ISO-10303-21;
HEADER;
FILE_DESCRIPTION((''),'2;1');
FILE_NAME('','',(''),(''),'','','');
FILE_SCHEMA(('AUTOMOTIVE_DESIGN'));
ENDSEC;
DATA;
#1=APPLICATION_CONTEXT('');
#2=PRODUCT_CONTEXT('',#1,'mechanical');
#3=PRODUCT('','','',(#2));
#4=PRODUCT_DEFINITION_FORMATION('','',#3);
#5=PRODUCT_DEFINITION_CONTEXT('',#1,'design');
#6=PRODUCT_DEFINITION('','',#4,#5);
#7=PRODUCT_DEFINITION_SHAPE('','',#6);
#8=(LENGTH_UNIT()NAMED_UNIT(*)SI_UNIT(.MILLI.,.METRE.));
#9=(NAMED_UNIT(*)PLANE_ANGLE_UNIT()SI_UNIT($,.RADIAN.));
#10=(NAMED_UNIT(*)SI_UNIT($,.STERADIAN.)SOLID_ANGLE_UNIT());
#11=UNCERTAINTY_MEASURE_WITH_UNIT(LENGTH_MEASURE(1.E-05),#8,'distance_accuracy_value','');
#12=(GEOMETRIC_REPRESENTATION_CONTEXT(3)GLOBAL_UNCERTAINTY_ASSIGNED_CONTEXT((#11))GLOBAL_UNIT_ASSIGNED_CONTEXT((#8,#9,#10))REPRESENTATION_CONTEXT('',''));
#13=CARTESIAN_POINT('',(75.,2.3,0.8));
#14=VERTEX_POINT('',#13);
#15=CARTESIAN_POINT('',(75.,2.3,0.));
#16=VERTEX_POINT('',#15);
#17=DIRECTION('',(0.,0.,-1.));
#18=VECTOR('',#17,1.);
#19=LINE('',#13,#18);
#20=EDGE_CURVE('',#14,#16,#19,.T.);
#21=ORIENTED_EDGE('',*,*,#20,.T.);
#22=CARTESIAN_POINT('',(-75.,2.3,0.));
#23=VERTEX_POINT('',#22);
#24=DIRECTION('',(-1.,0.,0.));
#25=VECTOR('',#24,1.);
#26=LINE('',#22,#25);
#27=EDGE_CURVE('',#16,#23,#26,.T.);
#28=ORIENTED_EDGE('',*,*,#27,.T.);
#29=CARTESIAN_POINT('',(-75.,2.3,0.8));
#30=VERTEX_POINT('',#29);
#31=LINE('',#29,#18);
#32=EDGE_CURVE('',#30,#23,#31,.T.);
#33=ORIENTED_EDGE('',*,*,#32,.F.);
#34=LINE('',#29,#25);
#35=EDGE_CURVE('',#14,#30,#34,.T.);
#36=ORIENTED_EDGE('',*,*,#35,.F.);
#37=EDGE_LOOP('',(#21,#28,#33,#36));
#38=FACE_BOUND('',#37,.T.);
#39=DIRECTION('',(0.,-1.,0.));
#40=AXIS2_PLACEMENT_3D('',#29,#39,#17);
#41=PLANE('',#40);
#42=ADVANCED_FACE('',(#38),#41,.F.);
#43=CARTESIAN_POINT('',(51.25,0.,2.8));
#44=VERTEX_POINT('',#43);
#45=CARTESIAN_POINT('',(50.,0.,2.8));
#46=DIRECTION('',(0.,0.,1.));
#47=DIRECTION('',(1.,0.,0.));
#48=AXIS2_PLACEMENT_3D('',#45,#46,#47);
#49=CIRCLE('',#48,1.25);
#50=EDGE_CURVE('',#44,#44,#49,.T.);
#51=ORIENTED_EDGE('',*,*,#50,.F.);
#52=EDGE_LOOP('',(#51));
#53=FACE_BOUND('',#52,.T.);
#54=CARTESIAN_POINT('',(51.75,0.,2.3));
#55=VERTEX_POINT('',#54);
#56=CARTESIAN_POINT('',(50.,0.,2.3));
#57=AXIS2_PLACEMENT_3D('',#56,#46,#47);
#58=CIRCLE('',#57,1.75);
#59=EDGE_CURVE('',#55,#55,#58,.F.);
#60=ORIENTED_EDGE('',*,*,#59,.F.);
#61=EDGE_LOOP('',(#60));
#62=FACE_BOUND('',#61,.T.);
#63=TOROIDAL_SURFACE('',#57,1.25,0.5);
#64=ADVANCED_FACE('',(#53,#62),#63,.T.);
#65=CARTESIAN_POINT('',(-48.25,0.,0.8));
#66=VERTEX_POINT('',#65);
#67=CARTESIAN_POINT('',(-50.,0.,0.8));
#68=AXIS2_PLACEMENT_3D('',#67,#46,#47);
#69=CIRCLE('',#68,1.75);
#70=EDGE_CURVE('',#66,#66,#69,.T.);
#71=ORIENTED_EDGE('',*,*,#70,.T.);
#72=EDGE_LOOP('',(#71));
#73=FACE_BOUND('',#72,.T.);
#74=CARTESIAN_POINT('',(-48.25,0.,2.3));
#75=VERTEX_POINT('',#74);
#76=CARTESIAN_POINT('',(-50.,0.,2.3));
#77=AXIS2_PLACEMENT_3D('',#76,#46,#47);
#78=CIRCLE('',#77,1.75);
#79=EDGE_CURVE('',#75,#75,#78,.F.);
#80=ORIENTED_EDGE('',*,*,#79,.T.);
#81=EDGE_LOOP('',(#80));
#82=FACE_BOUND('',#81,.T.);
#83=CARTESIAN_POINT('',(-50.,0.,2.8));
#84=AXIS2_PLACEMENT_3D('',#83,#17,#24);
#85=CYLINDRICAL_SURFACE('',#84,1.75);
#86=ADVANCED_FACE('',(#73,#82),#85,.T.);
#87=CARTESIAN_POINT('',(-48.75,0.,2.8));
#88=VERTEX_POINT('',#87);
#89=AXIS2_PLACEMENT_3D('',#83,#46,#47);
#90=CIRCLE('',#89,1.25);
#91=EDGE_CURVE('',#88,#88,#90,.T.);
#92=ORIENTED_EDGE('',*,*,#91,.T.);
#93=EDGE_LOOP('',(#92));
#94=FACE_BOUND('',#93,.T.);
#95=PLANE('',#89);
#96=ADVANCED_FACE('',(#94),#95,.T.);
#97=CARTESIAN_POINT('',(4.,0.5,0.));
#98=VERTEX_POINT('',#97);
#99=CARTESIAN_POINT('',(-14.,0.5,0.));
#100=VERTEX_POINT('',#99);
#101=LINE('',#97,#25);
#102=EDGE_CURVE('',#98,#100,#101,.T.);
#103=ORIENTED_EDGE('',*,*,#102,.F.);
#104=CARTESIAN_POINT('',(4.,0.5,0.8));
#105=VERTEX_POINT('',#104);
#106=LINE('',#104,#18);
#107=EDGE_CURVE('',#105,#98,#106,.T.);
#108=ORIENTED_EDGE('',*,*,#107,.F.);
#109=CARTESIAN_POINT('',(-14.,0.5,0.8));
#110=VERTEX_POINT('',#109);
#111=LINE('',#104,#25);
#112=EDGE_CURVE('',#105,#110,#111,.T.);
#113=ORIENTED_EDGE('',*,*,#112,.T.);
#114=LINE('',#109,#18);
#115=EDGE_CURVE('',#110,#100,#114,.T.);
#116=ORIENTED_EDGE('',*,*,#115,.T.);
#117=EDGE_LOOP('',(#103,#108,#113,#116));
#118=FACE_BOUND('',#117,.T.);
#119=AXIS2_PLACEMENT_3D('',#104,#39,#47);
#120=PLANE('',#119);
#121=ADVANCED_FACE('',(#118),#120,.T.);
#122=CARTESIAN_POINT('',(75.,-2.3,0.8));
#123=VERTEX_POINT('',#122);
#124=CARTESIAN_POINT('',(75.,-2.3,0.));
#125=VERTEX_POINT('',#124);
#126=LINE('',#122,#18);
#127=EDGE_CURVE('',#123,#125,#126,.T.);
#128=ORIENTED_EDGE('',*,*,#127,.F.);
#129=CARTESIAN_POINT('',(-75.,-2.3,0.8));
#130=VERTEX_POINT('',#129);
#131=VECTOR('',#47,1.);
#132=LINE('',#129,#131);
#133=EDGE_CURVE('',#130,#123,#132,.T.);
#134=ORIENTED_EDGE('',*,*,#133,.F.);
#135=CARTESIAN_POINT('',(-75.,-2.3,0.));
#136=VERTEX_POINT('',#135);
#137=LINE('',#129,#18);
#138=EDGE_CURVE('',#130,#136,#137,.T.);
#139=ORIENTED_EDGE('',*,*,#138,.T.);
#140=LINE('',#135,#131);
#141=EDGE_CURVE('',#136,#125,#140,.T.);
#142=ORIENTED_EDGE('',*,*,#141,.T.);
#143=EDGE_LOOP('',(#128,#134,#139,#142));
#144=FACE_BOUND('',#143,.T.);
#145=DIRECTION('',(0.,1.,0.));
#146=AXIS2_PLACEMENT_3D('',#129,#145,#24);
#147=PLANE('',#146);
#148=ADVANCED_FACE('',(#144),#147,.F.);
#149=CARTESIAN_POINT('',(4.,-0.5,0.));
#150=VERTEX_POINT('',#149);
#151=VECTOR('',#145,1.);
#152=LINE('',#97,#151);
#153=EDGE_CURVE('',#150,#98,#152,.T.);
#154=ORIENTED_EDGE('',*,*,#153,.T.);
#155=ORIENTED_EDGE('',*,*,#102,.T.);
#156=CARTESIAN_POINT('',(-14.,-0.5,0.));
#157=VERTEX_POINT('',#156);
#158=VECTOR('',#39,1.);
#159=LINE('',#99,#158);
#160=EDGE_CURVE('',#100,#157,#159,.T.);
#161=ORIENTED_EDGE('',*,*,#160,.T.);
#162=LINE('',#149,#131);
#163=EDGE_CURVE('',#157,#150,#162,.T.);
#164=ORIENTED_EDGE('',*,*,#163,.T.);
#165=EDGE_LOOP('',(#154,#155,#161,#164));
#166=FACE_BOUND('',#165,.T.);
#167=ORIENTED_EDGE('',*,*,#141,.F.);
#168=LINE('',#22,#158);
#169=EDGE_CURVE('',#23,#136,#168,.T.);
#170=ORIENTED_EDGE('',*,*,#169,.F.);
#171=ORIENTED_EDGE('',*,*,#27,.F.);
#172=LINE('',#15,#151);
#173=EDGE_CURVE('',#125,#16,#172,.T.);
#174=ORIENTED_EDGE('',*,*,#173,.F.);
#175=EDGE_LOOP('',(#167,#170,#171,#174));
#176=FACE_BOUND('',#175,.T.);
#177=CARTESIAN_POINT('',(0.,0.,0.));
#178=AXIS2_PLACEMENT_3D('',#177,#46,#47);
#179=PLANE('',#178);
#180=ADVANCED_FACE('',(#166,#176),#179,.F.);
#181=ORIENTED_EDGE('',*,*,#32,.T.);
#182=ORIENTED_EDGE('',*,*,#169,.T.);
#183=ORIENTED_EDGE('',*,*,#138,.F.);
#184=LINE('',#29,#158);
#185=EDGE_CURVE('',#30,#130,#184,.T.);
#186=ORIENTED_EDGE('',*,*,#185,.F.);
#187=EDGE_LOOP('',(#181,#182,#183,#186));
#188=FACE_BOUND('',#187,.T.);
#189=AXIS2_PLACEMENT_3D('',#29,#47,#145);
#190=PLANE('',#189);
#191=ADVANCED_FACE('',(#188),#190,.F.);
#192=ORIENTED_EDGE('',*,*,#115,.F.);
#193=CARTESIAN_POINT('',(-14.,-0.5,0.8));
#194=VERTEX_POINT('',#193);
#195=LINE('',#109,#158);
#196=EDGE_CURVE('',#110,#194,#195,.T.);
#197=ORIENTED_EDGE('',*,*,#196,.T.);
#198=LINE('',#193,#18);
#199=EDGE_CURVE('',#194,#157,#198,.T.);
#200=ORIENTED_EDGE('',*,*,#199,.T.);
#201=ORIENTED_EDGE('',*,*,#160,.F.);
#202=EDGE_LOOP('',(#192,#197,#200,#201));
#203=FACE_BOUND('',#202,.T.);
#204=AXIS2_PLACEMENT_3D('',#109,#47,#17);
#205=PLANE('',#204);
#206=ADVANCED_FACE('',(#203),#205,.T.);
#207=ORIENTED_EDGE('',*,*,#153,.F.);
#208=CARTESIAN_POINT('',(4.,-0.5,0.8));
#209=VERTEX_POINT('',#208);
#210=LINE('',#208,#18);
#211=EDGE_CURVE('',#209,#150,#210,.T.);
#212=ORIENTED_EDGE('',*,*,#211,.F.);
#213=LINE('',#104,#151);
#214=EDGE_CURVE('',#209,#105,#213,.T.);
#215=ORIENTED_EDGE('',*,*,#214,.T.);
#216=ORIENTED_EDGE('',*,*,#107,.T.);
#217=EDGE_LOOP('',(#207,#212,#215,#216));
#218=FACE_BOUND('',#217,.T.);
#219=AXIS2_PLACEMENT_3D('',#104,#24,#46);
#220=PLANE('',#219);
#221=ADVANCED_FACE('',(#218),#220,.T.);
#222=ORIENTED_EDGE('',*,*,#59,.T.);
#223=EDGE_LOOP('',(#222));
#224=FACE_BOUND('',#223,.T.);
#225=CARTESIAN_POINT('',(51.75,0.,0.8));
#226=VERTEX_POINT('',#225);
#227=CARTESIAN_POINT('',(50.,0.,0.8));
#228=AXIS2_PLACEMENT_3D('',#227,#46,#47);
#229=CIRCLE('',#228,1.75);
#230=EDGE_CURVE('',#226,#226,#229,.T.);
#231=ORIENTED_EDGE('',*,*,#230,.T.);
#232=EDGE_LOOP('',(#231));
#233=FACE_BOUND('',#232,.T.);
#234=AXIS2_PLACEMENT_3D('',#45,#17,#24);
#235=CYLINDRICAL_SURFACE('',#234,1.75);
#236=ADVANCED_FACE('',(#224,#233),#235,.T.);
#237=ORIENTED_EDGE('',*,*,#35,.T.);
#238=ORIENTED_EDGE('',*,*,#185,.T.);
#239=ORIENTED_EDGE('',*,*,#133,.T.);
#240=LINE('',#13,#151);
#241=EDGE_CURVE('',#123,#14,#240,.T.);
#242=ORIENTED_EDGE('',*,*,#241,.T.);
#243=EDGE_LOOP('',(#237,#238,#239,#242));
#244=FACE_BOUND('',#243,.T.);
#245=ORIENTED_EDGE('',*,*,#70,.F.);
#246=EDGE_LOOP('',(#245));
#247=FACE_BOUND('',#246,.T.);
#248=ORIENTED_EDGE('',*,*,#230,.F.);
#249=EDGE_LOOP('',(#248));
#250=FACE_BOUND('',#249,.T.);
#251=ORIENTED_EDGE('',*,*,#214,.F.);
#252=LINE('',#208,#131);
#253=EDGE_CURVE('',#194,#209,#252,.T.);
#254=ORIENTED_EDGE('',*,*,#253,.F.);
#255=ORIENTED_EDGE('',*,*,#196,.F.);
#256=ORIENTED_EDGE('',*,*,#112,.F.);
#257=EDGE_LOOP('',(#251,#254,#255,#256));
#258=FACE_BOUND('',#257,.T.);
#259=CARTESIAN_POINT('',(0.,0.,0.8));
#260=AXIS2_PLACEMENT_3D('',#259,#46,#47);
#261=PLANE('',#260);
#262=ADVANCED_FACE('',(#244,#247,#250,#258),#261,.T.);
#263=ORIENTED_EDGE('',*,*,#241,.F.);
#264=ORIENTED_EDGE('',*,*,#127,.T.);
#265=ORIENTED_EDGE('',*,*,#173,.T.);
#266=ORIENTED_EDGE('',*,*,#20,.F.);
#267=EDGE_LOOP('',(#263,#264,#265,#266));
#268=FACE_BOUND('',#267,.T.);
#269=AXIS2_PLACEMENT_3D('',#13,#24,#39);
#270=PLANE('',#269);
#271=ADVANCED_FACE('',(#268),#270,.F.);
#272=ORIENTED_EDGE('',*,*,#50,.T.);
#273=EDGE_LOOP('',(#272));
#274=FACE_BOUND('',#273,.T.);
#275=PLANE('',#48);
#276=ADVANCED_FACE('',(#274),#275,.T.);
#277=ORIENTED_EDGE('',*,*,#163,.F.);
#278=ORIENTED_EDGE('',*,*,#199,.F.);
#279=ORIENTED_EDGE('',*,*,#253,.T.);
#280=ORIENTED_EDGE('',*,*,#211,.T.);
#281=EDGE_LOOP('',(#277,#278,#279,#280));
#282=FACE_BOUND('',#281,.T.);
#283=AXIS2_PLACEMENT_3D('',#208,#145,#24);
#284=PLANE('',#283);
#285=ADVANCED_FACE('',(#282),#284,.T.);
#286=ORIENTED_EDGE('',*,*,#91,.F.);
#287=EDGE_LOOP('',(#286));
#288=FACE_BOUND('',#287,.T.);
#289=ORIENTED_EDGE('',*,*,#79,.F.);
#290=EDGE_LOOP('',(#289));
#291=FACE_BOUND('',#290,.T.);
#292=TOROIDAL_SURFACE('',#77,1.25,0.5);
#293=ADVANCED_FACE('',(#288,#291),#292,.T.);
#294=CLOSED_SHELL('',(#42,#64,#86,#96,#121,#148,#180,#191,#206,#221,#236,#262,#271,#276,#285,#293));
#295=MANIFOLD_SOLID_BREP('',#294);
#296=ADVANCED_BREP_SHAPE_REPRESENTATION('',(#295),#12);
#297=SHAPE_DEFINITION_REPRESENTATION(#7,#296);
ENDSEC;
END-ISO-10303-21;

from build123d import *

# Parameters (mm, degrees)
SKICA2_W                = 150
SKICA2_H                = 4.6
SKICA2_W_2              = 18
SKICA2_H_2              = 1
P_IDAT_VYSUNUT_M2_DEPTH = 0.8
SKICA3_R                = 1.75
P_IDAT_VYSUNUT_M3_DEPTH = 2
ZAOBLIT1_R              = 0.5


with BuildPart() as part:
    # Skica2 → Přidat vysunutím2 (new body)
    with BuildSketch(Plane.XY):
        Rectangle(SKICA2_W, SKICA2_H)
        with Locations((-5, 0)):
            Rectangle(SKICA2_W_2, SKICA2_H_2, mode=Mode.SUBTRACT)
    extrude(amount=P_IDAT_VYSUNUT_M2_DEPTH)

    # Skica3 → Přidat vysunutím3 (add)
    with BuildSketch(Plane.XY.offset(0.8)):
        with Locations((-50, 0)):
            Circle(SKICA3_R)
        with Locations((50, 0)):
            Circle(SKICA3_R)
    extrude(amount=P_IDAT_VYSUNUT_M3_DEPTH)

    # Zaoblit1
    zaoblit1_edges = [part.edges().sort_by_distance(p)[0] for p in [
        (-51.75, 0, 2.8),
        (48.25, 0, 2.8),
    ]]
    fillet(zaoblit1_edges, radius=ZAOBLIT1_R)


solid = part.part
